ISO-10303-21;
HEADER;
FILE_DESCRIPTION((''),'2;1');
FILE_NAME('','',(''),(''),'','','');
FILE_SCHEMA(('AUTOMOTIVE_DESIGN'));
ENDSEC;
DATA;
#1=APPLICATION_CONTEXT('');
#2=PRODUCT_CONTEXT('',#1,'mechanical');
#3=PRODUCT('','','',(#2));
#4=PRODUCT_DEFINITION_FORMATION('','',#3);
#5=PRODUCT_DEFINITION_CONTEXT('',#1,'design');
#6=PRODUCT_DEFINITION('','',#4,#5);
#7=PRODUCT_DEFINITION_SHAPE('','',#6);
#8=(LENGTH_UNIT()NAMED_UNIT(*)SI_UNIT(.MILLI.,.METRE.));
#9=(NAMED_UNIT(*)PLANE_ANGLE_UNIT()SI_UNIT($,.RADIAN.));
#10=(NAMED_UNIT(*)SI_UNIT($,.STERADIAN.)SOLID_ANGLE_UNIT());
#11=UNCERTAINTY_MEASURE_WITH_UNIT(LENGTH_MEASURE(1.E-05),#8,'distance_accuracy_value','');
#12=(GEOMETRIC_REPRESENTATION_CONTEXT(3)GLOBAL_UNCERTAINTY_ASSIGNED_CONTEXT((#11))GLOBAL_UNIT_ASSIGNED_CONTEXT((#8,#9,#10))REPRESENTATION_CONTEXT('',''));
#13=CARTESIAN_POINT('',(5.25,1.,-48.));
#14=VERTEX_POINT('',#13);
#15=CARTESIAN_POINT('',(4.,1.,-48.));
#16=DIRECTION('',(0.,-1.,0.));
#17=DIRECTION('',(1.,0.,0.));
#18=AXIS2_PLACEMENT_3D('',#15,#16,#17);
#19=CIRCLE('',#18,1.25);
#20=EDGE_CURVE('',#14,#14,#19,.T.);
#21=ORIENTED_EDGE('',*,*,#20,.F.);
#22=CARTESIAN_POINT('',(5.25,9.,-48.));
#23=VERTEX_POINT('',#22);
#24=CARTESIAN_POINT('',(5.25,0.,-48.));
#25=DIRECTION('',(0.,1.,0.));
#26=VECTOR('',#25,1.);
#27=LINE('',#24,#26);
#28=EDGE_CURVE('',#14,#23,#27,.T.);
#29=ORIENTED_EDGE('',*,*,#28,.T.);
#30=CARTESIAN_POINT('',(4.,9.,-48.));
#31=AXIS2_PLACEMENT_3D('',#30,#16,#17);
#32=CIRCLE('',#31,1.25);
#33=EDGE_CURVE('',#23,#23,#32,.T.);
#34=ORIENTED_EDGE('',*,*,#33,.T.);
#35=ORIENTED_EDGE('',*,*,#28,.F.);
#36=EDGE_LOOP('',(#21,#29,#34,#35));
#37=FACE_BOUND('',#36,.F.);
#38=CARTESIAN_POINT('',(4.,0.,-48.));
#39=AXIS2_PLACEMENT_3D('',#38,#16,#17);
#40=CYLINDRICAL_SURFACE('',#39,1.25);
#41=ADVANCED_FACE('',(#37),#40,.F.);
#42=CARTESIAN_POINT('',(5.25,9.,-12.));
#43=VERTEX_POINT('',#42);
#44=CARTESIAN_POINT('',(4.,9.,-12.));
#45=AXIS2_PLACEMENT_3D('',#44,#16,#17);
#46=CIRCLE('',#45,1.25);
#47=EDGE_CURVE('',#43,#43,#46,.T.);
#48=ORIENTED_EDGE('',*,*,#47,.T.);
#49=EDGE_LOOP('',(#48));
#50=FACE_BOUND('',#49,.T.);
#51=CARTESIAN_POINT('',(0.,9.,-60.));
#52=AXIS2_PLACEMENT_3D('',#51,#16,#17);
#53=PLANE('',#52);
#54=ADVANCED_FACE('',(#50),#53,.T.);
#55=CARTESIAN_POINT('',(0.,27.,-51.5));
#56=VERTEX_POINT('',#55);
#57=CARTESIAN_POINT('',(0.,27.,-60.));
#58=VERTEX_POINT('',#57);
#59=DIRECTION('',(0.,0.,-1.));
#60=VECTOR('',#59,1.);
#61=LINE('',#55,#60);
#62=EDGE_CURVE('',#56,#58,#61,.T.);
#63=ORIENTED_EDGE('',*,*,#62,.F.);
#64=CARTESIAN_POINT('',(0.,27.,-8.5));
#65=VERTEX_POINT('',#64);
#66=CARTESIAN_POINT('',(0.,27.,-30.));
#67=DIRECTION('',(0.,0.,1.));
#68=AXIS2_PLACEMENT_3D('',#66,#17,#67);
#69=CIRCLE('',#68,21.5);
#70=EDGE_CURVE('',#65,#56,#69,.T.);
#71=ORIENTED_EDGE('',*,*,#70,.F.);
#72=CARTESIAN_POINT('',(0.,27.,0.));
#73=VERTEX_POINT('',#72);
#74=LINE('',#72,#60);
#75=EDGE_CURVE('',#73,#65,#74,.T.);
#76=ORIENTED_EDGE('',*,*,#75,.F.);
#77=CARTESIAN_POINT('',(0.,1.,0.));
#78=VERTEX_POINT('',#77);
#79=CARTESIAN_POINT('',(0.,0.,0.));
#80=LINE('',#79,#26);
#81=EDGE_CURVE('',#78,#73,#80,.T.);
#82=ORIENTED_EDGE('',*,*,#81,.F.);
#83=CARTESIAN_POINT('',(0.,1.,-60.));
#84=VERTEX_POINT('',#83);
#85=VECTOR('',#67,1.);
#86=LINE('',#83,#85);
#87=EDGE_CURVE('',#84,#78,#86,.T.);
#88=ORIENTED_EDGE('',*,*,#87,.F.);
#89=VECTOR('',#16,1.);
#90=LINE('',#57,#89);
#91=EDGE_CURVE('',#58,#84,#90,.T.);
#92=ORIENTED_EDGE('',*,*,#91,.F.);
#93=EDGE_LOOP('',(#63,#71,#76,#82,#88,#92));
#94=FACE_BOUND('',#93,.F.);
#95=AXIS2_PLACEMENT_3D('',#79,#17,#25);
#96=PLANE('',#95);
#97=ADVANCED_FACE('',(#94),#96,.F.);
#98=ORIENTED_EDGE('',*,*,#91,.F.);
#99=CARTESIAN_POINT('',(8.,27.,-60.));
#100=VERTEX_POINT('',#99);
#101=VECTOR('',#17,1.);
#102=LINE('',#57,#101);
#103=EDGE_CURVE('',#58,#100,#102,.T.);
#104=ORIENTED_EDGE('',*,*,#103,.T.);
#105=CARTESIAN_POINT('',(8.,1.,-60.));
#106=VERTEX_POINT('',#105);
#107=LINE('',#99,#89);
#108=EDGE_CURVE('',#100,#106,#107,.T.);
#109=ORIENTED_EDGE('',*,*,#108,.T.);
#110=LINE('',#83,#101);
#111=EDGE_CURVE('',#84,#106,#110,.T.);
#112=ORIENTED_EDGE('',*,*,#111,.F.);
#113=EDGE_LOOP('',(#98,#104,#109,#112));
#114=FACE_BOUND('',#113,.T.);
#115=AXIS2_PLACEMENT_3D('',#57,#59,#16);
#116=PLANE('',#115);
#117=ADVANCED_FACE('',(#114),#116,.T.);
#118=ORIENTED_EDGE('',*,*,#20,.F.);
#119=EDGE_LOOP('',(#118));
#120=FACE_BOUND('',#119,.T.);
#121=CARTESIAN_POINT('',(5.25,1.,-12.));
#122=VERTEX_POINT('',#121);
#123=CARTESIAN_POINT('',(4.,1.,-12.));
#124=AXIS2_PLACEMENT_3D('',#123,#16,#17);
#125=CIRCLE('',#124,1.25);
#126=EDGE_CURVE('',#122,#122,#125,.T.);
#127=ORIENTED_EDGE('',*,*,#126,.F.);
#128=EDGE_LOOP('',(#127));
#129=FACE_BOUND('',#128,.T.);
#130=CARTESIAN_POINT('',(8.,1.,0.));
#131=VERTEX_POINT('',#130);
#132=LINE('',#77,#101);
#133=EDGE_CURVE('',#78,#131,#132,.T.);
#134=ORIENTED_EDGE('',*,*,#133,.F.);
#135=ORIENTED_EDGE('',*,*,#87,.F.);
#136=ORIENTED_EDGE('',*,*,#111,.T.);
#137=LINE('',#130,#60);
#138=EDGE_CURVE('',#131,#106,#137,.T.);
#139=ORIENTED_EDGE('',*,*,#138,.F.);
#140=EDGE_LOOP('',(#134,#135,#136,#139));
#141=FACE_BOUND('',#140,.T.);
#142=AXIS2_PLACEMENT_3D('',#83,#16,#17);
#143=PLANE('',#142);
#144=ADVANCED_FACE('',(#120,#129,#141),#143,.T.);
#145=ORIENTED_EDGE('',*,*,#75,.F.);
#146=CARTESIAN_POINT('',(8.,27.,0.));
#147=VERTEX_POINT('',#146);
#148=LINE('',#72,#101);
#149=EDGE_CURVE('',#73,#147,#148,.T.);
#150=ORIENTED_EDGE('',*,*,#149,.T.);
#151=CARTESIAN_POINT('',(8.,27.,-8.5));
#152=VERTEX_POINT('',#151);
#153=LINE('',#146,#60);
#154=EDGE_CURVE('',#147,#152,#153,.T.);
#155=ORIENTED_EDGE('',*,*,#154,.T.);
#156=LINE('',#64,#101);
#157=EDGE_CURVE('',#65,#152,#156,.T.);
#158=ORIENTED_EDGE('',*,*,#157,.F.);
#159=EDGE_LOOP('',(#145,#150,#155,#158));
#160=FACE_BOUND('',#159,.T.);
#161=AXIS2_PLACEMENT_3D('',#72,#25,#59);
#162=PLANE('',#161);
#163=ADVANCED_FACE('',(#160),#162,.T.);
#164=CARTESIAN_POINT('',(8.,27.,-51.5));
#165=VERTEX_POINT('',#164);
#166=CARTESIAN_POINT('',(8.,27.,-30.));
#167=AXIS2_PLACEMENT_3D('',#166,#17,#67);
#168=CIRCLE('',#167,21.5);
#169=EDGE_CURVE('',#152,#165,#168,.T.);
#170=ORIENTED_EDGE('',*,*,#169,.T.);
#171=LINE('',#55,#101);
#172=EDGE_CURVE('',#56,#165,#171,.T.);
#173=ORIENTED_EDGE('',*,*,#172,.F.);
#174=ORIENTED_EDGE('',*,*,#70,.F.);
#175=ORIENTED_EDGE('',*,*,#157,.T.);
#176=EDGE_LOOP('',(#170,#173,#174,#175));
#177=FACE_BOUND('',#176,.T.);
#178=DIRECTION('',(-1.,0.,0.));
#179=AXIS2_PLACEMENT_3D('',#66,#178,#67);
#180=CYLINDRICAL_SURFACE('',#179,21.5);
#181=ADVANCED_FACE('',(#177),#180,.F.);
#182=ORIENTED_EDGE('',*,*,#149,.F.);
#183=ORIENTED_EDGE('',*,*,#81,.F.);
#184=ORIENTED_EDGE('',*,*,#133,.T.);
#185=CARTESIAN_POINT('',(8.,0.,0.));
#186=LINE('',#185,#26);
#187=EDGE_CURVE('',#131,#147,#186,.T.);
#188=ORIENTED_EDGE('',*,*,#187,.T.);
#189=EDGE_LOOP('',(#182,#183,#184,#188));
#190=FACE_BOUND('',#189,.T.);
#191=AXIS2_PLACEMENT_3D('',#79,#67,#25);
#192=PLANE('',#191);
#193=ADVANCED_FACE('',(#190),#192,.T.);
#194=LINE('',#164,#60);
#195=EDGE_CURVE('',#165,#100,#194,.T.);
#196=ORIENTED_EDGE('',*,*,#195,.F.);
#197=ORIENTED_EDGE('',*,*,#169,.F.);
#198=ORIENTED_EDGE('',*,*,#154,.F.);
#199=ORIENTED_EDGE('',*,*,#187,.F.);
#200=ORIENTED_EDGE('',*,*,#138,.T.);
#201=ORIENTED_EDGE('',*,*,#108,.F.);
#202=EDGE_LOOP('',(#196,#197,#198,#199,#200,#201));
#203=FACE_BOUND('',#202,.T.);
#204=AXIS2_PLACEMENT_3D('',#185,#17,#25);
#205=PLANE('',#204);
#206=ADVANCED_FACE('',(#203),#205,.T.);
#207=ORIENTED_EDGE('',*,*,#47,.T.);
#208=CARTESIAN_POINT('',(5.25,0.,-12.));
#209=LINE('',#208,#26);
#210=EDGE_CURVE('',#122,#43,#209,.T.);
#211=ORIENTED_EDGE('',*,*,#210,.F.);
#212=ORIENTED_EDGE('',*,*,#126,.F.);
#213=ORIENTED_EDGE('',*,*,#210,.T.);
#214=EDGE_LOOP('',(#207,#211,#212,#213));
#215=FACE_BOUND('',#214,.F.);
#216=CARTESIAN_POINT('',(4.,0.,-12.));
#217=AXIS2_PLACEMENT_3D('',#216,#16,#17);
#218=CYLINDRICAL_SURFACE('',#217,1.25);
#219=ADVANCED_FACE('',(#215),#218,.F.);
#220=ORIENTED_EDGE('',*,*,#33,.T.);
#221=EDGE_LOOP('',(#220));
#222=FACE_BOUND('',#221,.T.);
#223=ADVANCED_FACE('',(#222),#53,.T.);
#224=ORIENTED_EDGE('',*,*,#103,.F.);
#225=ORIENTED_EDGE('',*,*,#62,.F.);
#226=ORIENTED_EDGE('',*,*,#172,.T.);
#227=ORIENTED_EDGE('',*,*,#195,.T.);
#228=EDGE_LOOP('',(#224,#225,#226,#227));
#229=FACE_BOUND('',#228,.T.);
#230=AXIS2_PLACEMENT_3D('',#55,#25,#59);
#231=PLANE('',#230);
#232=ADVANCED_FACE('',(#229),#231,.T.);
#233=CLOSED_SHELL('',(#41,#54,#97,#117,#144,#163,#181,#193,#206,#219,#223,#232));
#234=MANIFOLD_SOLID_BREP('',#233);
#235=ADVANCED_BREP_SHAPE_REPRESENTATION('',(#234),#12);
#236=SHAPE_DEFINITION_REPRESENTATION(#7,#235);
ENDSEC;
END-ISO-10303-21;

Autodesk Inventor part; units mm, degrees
ref_plane "YZ Plane" through (0, 0, 0) normal (1, 0, 0) x (0, 1, 0)
ref_plane "XZ Plane" through (0, 0, 0) normal (0, 1, 0) x (-1, 0, 0)
ref_plane "XY Plane" through (0, 0, 0) normal (0, 0, 1) x (1, 0, 0)
sketch "스케치1" plane through (0, 0, 0) normal (1, 0, 0) x (0, 1, 0)
  line L0 (0, 0) -> (27, 0)
  line L1 (27, -60) -> (0, -60)
  line L2 (0, -60) -> (0, 0)
  arc A0 (27, -8.5) -> (27, -51.5) centre (27, -30) ccw
  line L3 (27, 0) -> (27, -8.5)
  line L4 (27, -51.5) -> (27, -60)
  dimension "d0" = 27
  dimension "d3" = 60
  dimension "d4" = 27
  dimension "d5" = 21.5
  dimension "d6" = 27
  dimension "d7" = 30
extrude "돌출1" add sketch "스케치1" along normal blind 8
sketch "스케치2" plane through (0, 0, -60) normal (0, -1, 0) x (1, 0, 0)
  line L0 (0, 0) -> (0, 60) projected
  line L1 (0, 0) -> (8, 0) projected
  line L2 (8, 60) -> (8, 0) projected
  line L3 (0, 60) -> (8, 60) projected
  line L4 (0, 60) -> (0, 51.5) projected
  line L5 (0, 60) -> (8, 60) projected
  line L6 (8, 51.5) -> (8, 60) projected
  line L7 (0, 51.5) -> (8, 51.5) projected
  line L8 (0, 8.5) -> (0, 0) projected
  line L9 (0, 8.5) -> (8, 8.5) projected
  line L10 (8, 0) -> (8, 8.5) projected
  line L11 (0, 0) -> (8, 0) projected
  circle A0 centre (4, 48) radius 1.25
  circle A1 centre (4, 12) radius 1.25
  dimension "d10" = 2.5
  dimension "d11" = 2.5
  dimension "d12" = 4
  dimension "d13" = 4
  dimension "d14" = 12
  dimension "d15" = 12
extrude "돌출2" cut sketch "스케치2" against normal blind 9 contours A0 | A1
sketch "스케치3" plane through (0, 0, -60) normal (0, -1, 0) x (1, 0, 0)
  circle A0 centre (4, 48) radius 1.25 projected
  circle A1 centre (4, 12) radius 1.25 projected
  line L0 (0, 0) -> (0, 60) projected
  line L1 (0, 0) -> (8, 0) projected
  line L2 (8, 60) -> (8, 0) projected
  line L3 (0, 60) -> (8, 60) projected
extrude "돌출3" cut sketch "스케치3" against normal blind 1
properties part number "모터받침대" material "ABS 플라스틱"
